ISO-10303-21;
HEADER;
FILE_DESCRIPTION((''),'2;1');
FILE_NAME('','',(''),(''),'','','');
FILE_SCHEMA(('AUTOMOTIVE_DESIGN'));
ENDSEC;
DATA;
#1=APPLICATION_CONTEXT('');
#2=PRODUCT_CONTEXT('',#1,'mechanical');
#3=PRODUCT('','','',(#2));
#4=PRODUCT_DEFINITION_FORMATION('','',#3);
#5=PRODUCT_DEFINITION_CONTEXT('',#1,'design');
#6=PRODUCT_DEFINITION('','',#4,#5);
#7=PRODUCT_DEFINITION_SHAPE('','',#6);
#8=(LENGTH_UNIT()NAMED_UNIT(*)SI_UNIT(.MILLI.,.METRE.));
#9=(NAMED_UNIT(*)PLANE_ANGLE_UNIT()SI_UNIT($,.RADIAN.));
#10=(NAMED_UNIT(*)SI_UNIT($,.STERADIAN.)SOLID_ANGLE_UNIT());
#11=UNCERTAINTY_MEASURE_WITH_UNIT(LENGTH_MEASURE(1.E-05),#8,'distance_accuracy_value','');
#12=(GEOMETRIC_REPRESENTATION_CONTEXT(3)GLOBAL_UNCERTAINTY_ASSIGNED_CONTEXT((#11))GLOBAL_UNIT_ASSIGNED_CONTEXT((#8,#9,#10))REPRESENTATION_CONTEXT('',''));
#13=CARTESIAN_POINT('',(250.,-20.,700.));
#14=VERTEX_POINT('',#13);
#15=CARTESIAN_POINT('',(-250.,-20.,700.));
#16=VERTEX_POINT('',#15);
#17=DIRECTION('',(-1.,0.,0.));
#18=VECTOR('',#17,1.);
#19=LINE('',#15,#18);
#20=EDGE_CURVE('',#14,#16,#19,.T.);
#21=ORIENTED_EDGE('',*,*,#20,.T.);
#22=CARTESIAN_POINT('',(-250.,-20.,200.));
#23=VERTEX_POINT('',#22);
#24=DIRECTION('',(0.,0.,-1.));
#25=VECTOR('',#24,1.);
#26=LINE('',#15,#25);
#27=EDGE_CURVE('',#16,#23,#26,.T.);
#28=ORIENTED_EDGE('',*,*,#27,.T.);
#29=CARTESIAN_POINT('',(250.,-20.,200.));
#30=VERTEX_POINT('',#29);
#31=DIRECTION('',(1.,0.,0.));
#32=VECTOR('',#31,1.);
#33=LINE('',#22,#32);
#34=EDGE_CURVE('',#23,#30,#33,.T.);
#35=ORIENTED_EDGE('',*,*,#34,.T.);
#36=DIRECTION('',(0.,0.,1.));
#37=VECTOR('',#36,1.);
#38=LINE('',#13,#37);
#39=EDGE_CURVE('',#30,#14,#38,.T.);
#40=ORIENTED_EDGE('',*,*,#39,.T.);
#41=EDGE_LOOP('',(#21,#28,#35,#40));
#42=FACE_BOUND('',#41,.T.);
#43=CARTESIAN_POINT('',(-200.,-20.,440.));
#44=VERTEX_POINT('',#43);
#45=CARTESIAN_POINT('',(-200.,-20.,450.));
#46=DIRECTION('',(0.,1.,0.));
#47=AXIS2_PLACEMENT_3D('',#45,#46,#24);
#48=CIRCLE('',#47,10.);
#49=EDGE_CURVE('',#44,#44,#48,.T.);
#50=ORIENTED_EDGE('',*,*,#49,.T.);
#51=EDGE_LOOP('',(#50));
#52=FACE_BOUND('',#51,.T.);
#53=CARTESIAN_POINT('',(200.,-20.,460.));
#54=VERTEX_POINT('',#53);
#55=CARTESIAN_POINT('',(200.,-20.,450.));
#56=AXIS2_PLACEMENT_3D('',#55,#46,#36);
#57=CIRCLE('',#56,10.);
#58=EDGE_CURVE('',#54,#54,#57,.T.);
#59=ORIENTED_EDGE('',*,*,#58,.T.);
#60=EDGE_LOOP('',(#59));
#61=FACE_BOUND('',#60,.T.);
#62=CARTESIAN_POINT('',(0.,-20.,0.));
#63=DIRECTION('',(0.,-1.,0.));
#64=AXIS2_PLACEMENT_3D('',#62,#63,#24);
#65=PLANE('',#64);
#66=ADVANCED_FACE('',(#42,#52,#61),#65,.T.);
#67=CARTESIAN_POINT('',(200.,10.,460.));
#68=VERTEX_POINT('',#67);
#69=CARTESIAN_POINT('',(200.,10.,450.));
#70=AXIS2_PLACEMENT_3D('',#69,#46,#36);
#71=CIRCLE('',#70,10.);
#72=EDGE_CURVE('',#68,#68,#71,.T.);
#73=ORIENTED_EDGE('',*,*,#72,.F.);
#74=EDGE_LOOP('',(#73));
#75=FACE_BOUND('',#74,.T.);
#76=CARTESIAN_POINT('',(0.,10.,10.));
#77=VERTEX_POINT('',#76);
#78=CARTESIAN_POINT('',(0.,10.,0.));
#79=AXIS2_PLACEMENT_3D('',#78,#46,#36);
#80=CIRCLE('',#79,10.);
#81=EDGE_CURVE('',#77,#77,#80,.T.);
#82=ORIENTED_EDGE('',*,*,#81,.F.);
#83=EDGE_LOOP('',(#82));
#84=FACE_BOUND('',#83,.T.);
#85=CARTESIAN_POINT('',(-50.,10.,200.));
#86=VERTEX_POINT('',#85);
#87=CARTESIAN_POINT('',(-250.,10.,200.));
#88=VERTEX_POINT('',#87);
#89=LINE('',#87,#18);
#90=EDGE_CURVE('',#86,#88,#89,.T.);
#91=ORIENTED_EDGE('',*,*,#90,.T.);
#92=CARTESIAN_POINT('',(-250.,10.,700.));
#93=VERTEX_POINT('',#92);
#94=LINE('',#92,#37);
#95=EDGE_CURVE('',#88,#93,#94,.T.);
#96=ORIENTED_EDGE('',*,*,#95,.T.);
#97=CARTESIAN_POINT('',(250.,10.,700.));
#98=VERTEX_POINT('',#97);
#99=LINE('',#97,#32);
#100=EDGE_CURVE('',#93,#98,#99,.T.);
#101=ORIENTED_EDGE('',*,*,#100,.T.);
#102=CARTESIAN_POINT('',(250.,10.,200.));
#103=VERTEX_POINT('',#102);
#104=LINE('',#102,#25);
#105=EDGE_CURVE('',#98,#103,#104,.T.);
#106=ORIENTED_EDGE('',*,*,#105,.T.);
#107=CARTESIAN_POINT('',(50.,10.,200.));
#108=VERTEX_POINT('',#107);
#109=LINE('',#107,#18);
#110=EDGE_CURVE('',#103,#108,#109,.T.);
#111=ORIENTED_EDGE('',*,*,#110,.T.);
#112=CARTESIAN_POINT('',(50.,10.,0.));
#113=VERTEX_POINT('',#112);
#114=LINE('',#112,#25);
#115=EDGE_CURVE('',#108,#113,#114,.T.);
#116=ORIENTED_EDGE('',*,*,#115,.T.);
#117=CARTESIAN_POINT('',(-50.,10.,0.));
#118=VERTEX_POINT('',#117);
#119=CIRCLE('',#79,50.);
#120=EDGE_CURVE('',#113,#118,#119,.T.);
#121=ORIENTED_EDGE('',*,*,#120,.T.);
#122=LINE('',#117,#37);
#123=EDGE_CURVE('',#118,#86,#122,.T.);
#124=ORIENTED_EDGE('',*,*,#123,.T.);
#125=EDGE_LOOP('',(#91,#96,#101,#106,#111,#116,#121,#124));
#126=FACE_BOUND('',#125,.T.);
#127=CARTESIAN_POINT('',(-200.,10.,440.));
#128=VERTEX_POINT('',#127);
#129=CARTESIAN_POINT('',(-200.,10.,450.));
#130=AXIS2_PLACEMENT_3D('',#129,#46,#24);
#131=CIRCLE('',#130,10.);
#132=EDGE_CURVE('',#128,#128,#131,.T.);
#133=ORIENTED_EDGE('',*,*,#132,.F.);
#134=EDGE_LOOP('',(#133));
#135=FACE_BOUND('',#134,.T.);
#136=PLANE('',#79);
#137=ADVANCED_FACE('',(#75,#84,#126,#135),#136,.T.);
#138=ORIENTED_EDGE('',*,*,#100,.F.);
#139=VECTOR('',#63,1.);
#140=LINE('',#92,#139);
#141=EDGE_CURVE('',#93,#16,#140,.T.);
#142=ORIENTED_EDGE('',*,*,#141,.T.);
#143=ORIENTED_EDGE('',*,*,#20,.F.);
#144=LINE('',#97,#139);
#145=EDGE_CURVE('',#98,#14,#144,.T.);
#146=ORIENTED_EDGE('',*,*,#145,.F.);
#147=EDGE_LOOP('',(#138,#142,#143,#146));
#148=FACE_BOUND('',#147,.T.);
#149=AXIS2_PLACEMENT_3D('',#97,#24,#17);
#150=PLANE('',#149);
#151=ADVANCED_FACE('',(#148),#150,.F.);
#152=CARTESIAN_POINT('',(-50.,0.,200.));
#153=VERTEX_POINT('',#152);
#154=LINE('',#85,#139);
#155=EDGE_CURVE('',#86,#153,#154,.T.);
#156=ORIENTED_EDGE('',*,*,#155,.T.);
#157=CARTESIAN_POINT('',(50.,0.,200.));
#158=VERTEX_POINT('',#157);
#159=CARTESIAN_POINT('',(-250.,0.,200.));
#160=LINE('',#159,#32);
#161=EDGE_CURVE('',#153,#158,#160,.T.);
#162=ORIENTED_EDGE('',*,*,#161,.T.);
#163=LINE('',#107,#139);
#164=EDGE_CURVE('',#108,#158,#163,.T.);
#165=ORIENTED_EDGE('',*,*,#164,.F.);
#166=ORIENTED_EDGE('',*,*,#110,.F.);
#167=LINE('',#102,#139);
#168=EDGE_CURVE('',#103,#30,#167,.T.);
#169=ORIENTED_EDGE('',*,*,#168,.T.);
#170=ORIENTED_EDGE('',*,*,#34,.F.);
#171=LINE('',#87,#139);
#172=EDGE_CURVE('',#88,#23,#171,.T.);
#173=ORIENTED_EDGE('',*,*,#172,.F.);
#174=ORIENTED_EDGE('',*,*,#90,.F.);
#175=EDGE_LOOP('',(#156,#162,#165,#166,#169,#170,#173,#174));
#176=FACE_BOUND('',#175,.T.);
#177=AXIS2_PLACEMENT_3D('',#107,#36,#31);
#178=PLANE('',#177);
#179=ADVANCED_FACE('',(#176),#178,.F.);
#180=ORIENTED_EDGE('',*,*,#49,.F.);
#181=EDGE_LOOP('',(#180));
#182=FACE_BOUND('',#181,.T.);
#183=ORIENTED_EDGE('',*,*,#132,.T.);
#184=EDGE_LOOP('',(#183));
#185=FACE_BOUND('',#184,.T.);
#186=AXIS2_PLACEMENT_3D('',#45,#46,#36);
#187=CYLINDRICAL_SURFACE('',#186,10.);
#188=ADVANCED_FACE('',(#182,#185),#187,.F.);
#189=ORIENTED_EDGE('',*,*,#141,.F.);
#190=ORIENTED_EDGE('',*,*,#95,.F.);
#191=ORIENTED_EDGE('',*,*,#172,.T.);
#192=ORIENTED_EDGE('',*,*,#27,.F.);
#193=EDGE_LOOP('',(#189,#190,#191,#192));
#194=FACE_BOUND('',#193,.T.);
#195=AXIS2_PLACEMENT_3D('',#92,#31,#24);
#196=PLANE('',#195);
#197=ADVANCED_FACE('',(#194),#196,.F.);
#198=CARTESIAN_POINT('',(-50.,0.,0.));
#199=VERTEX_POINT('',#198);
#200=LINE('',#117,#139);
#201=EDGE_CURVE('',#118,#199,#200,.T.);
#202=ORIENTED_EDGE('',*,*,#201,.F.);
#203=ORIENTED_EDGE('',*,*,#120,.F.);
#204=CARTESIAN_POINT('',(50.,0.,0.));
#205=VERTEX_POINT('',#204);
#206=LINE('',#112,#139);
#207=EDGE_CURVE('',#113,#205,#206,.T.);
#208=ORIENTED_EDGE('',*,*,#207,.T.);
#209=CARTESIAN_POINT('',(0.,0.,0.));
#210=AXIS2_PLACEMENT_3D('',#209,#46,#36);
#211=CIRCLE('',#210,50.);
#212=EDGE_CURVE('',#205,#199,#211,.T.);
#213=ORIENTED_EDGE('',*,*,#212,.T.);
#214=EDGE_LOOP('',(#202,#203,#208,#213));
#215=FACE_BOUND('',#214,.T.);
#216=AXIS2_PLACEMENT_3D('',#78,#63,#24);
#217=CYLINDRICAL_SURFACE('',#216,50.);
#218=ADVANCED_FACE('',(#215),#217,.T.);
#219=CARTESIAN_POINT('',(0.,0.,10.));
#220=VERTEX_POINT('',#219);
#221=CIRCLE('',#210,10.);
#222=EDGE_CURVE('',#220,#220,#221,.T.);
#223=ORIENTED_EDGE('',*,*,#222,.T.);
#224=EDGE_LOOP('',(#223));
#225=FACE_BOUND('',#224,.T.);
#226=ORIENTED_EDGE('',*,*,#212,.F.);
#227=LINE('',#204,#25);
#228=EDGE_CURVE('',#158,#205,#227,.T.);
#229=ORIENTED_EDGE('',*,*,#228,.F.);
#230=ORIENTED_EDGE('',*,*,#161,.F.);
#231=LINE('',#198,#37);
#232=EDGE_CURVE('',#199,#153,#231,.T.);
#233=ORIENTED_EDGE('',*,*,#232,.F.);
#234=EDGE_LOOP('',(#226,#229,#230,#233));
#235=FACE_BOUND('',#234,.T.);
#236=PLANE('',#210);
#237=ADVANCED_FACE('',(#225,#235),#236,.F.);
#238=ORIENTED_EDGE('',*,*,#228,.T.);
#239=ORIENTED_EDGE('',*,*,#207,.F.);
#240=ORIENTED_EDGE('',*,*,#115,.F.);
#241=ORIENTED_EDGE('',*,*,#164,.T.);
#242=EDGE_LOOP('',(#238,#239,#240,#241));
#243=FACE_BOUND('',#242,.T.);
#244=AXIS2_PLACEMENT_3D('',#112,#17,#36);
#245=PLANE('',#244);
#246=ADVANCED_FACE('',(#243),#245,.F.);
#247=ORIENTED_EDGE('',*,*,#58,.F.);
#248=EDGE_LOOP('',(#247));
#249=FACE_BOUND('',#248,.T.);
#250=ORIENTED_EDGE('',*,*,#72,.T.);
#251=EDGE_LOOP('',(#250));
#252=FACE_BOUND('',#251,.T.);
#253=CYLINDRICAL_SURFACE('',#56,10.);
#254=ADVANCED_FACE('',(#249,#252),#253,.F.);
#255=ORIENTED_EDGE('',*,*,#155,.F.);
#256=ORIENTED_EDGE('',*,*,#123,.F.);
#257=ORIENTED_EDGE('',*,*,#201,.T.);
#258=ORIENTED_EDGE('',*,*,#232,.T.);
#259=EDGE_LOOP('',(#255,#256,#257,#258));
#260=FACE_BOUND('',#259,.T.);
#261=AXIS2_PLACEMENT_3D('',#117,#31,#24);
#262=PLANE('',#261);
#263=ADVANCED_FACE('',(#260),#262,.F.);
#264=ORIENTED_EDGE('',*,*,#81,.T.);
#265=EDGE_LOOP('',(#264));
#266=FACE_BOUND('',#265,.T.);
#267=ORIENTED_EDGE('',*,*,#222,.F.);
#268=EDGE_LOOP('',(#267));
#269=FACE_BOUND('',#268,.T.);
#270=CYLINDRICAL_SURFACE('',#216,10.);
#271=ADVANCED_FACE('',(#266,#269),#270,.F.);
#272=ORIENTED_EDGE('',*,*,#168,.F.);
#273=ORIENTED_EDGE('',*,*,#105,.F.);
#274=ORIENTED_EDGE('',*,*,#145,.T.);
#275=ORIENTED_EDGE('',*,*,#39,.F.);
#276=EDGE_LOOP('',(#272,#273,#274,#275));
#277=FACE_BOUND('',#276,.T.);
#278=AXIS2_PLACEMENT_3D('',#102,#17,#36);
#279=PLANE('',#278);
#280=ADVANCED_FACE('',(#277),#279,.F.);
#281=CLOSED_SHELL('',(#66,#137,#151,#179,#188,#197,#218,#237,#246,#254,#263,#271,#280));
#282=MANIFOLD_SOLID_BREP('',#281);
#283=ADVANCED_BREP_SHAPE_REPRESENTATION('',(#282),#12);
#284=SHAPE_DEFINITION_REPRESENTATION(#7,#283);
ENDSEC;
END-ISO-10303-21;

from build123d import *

# Parameters (mm, degrees)
SKETCH1_R           = 10
BOSS_EXTRUDE1_DEPTH = 10
SKETCH2_W           = 500
SKETCH2_H           = 500
BOSS_EXTRUDE2_DEPTH = 20
SKETCH3_R           = 10
CUT_EXTRUDE1_DEPTH  = 744.908596536


with BuildPart() as part:
    # Sketch1 → Boss-Extrude1 (new body)
    with BuildSketch(Plane(origin=(0, 0, 0), x_dir=(1, 0, 0), z_dir=(0, 1, 0))):
        with BuildLine():
            Line((-50, 0), (-50, -200))
            Line((-50, -200), (-250, -200))
            Line((-250, -200), (-250, -700))
            Line((-250, -700), (250, -700))
            Line((250, -700), (250, -200))
            Line((250, -200), (50, -200))
            Line((50, -200), (50, 0))
            ThreePointArc((50, 0), (0, 50), (-50, 0))
        make_face()
        with Locations(Location((0, 0, 0), (0, 0, 270))):
            Circle(SKETCH1_R, mode=Mode.SUBTRACT)
    extrude(amount=BOSS_EXTRUDE1_DEPTH)

    # Sketch2 → Boss-Extrude2 (add)
    with BuildSketch(Plane.XZ):
        with Locations((0, 450)):
            Rectangle(SKETCH2_W, SKETCH2_H)
    extrude(amount=BOSS_EXTRUDE2_DEPTH)

    # Sketch3 → Cut-Extrude1 (cut, through all)
    with BuildSketch(Plane(origin=(0, 10, 0), x_dir=(1, 0, 0), z_dir=(0, 1, 0))):
        with Locations(Location((200, -450, 0), (0, 0, 270))):
            Circle(SKETCH3_R)
        with Locations(Location((-200, -450, 0), (0, 0, 90))):
            Circle(SKETCH3_R)
    extrude(amount=-CUT_EXTRUDE1_DEPTH, mode=Mode.SUBTRACT)


solid = part.part
